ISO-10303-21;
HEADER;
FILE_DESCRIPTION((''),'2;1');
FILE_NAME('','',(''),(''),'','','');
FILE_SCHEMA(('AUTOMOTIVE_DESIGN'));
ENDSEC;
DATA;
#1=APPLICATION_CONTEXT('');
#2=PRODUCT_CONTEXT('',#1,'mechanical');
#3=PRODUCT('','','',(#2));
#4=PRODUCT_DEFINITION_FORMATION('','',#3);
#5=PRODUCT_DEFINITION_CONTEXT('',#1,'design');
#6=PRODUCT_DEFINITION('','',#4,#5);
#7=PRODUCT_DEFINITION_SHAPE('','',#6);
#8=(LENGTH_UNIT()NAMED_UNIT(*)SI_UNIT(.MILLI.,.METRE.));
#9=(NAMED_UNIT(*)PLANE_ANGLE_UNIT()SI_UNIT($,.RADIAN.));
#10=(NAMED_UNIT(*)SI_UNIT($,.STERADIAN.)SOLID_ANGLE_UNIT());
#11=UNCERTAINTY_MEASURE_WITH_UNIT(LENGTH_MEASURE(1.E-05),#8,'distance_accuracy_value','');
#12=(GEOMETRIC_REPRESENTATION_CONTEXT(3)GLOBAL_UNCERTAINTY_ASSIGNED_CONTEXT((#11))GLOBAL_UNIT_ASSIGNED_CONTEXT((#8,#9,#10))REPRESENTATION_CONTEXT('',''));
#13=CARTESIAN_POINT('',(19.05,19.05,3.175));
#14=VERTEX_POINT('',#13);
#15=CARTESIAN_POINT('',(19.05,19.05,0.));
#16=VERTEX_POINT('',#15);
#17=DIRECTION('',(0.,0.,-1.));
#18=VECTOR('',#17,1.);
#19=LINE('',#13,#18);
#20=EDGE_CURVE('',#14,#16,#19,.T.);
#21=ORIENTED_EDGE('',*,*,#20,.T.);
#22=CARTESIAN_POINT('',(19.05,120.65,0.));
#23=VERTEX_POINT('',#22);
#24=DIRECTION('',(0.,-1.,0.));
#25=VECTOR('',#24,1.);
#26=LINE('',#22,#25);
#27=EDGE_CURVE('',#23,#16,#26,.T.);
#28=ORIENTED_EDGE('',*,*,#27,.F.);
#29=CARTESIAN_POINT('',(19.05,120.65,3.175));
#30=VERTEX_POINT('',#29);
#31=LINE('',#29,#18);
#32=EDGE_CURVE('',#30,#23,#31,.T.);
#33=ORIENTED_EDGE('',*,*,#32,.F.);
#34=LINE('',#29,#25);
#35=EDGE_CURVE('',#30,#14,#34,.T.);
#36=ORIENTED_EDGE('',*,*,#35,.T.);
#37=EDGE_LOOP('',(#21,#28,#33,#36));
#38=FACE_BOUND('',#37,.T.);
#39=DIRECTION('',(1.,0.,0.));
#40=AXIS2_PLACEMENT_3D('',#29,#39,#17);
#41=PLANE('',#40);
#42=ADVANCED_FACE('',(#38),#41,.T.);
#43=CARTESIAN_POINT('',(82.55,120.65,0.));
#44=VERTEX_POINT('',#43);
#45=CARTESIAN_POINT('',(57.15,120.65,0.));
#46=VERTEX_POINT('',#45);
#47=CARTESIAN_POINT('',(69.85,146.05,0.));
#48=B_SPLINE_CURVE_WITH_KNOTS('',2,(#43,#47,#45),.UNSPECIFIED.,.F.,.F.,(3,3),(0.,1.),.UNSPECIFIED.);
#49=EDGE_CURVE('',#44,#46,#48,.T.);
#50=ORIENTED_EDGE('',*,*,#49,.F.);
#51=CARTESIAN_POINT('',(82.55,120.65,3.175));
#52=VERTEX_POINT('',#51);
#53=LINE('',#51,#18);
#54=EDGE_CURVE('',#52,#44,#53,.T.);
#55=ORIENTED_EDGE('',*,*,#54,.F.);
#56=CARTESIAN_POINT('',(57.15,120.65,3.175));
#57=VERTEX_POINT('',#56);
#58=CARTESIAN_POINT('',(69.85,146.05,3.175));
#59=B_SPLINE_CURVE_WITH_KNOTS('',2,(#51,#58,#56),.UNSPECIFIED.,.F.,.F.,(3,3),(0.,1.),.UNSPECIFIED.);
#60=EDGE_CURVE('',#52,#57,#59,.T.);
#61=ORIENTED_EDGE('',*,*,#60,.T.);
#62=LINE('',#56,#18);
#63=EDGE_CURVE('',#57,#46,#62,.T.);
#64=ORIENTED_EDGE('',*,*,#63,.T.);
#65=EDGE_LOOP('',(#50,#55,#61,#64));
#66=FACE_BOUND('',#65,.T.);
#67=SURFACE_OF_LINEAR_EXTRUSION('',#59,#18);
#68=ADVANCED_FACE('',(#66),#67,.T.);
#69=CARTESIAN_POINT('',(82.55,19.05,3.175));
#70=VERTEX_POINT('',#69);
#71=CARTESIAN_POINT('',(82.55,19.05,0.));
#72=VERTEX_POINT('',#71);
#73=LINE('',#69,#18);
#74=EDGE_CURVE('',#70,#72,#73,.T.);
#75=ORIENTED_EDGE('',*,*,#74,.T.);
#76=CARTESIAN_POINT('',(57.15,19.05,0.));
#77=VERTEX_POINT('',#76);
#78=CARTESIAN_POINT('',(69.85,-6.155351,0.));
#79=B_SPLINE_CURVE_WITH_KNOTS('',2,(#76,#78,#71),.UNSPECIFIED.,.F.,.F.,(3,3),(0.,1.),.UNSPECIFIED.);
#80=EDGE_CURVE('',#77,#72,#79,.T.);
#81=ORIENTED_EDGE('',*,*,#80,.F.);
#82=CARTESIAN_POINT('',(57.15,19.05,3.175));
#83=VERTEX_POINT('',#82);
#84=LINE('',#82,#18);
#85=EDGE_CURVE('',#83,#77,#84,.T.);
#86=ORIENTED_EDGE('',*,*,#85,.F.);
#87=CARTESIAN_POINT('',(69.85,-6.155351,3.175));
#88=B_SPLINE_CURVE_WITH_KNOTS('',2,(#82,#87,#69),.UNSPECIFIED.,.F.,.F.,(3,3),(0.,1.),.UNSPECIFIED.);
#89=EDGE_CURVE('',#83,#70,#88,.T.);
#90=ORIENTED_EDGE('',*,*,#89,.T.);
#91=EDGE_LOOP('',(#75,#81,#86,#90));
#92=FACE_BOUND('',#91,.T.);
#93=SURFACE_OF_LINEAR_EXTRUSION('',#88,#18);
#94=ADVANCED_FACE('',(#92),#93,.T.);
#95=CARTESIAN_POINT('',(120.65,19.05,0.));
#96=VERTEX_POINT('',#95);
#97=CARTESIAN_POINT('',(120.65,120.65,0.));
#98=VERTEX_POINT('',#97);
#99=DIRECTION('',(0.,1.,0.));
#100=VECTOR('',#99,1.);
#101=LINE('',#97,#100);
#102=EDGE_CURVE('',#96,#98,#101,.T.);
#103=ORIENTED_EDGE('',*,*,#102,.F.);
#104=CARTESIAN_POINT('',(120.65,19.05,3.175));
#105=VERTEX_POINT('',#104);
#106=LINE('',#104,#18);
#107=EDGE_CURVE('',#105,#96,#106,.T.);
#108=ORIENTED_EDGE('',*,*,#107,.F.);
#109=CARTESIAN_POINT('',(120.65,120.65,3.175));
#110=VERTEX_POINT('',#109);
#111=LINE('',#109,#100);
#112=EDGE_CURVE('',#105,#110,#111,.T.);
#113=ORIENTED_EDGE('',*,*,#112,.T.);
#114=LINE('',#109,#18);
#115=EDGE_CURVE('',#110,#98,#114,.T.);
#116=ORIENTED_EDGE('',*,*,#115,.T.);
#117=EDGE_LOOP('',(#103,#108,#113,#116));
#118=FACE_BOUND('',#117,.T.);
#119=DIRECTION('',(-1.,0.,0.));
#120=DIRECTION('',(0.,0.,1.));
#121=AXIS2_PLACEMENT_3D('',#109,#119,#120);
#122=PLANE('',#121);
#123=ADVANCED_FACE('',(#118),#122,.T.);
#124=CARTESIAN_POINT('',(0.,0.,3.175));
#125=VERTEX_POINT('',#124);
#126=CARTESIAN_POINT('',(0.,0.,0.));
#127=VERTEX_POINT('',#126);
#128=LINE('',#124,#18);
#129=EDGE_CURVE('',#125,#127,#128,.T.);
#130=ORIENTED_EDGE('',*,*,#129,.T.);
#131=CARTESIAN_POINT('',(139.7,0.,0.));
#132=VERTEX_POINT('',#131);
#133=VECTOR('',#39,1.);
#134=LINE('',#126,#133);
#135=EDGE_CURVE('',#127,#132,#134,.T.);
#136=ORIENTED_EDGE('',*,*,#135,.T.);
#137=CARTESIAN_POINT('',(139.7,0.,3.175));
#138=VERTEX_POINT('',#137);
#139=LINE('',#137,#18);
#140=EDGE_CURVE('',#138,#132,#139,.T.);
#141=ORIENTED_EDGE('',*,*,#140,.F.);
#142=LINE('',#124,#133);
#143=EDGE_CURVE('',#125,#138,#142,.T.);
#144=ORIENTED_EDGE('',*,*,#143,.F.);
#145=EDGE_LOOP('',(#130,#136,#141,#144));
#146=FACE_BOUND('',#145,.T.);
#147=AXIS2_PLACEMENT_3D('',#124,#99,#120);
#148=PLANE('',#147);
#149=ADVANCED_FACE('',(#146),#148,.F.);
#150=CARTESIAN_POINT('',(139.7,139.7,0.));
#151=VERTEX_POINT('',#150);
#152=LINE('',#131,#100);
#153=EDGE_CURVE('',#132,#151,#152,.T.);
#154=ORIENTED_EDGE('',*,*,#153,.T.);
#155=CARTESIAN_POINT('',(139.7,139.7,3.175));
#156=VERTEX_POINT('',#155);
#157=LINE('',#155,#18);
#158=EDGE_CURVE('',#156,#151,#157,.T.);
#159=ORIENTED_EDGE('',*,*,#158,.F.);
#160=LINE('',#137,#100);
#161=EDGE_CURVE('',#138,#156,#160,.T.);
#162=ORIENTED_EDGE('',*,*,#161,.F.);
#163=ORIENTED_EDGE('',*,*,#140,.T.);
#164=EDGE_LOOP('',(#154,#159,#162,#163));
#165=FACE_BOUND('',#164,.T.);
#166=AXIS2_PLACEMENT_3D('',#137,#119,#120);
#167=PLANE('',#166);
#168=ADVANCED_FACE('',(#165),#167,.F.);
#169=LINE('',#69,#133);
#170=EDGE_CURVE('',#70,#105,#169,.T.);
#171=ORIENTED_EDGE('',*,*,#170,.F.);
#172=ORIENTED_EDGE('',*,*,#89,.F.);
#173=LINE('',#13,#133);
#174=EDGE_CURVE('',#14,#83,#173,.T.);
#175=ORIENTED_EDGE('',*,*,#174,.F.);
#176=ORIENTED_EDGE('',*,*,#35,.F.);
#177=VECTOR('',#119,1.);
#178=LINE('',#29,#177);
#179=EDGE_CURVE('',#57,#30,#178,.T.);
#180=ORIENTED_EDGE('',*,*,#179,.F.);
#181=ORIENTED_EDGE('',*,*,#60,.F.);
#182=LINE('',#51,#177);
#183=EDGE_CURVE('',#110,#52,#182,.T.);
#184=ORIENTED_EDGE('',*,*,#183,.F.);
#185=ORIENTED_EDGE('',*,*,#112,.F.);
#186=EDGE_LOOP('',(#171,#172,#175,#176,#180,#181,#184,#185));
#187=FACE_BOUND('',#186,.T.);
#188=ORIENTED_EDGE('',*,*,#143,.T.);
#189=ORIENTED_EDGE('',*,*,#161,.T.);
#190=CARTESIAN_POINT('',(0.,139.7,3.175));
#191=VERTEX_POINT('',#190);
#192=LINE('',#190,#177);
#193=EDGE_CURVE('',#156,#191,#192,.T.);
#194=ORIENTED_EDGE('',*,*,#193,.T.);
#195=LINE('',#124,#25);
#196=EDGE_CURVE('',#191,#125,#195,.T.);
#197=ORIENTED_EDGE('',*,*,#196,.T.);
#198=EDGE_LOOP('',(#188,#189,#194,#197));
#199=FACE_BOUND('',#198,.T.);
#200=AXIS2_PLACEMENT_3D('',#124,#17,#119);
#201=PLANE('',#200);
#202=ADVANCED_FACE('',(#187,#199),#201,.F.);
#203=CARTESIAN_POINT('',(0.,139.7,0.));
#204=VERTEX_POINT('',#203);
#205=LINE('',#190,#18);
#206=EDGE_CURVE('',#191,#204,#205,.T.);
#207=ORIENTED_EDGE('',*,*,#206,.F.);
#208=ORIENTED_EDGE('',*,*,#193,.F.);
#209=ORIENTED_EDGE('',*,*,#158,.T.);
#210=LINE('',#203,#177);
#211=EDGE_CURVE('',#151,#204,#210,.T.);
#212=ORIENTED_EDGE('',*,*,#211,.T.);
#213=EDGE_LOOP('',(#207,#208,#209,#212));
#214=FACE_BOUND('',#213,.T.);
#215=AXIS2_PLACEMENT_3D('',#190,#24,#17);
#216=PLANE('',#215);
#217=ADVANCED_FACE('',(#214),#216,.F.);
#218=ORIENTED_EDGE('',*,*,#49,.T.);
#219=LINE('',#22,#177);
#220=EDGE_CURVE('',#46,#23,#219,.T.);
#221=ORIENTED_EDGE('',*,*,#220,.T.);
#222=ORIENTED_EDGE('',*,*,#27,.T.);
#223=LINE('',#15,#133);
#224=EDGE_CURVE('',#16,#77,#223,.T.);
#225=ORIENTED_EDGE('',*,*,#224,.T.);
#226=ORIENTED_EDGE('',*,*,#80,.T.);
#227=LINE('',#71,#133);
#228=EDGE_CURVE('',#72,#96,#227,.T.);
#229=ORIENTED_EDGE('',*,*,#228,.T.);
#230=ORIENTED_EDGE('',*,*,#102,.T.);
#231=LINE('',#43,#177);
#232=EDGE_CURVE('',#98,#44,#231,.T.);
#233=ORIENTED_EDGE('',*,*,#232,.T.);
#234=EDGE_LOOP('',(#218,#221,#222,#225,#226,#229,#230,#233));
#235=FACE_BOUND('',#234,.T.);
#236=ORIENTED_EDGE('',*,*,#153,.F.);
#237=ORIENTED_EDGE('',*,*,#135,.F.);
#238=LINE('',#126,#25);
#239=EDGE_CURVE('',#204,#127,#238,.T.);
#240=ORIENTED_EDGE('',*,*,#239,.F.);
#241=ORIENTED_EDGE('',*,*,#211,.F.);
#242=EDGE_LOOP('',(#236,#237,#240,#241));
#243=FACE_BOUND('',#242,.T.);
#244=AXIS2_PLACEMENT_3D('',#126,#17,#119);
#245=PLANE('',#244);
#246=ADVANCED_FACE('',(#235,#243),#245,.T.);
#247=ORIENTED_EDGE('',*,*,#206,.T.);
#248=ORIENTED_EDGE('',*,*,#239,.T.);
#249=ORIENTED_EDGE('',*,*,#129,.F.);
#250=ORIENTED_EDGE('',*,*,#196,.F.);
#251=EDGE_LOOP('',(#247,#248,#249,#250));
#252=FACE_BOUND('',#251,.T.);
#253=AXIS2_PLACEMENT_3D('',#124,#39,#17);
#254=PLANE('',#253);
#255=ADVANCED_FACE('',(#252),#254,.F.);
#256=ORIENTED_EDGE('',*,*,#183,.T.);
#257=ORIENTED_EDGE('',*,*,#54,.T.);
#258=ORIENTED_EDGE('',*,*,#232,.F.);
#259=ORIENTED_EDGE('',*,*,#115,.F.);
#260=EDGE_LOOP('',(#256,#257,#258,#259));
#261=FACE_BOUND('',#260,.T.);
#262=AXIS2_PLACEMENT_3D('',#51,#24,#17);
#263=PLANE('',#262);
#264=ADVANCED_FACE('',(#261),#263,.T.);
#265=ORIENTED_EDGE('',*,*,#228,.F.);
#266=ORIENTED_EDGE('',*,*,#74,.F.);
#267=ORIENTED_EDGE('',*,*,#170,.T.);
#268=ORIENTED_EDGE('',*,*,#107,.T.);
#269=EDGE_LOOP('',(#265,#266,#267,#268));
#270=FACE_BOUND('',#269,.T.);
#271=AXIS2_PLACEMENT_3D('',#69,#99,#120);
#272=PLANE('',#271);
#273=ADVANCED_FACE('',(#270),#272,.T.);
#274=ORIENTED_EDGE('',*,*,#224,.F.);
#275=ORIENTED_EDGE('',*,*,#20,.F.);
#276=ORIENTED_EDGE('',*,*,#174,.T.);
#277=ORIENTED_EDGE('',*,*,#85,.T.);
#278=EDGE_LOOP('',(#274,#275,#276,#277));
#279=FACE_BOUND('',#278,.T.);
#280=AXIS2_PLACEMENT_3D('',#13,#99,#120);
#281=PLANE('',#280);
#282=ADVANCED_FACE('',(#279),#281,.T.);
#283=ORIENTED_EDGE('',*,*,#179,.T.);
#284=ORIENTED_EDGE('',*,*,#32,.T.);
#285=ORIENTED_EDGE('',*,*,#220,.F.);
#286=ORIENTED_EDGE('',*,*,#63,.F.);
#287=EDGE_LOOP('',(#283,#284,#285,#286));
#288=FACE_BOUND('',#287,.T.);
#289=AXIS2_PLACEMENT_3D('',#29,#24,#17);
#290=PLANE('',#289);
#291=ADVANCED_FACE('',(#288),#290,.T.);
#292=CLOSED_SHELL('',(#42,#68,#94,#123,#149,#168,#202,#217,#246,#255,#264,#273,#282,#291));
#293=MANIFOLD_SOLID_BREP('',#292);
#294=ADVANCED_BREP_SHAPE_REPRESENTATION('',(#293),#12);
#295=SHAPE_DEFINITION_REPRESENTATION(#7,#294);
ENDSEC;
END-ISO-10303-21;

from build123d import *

# Parameters (mm, degrees)
SKETCH1_W           = 139.7
SKETCH1_H           = 139.7
BOSS_EXTRUDE1_DEPTH = 3.175


with BuildPart() as part:
    # Sketch1 → Boss-Extrude1 (new body)
    with BuildSketch(Plane.XY):
        with Locations((69.85, 69.85)):
            Rectangle(SKETCH1_W, SKETCH1_H)
        with BuildLine():
            Line((19.05, 120.65), (57.15, 120.65))
            add(Edge.make_bspline(
                [(57.15, 120.65), (69.85, 146.05), (82.55, 120.65)],
                knots=[0, 0, 0, 1, 1, 1], degree=2))
            Line((82.55, 120.65), (120.65, 120.65))
            Line((120.65, 120.65), (120.65, 19.05))
            Line((120.65, 19.05), (82.55, 19.05))
            add(Edge.make_bspline(
                [(57.15, 19.05), (69.85, -6.155350719), (82.55, 19.05)],
                knots=[0, 0, 0, 1, 1, 1], degree=2))
            Line((57.15, 19.05), (19.05, 19.05))
            Line((19.05, 19.05), (19.05, 120.65))
        make_face(mode=Mode.SUBTRACT)
    extrude(amount=BOSS_EXTRUDE1_DEPTH)


solid = part.part
